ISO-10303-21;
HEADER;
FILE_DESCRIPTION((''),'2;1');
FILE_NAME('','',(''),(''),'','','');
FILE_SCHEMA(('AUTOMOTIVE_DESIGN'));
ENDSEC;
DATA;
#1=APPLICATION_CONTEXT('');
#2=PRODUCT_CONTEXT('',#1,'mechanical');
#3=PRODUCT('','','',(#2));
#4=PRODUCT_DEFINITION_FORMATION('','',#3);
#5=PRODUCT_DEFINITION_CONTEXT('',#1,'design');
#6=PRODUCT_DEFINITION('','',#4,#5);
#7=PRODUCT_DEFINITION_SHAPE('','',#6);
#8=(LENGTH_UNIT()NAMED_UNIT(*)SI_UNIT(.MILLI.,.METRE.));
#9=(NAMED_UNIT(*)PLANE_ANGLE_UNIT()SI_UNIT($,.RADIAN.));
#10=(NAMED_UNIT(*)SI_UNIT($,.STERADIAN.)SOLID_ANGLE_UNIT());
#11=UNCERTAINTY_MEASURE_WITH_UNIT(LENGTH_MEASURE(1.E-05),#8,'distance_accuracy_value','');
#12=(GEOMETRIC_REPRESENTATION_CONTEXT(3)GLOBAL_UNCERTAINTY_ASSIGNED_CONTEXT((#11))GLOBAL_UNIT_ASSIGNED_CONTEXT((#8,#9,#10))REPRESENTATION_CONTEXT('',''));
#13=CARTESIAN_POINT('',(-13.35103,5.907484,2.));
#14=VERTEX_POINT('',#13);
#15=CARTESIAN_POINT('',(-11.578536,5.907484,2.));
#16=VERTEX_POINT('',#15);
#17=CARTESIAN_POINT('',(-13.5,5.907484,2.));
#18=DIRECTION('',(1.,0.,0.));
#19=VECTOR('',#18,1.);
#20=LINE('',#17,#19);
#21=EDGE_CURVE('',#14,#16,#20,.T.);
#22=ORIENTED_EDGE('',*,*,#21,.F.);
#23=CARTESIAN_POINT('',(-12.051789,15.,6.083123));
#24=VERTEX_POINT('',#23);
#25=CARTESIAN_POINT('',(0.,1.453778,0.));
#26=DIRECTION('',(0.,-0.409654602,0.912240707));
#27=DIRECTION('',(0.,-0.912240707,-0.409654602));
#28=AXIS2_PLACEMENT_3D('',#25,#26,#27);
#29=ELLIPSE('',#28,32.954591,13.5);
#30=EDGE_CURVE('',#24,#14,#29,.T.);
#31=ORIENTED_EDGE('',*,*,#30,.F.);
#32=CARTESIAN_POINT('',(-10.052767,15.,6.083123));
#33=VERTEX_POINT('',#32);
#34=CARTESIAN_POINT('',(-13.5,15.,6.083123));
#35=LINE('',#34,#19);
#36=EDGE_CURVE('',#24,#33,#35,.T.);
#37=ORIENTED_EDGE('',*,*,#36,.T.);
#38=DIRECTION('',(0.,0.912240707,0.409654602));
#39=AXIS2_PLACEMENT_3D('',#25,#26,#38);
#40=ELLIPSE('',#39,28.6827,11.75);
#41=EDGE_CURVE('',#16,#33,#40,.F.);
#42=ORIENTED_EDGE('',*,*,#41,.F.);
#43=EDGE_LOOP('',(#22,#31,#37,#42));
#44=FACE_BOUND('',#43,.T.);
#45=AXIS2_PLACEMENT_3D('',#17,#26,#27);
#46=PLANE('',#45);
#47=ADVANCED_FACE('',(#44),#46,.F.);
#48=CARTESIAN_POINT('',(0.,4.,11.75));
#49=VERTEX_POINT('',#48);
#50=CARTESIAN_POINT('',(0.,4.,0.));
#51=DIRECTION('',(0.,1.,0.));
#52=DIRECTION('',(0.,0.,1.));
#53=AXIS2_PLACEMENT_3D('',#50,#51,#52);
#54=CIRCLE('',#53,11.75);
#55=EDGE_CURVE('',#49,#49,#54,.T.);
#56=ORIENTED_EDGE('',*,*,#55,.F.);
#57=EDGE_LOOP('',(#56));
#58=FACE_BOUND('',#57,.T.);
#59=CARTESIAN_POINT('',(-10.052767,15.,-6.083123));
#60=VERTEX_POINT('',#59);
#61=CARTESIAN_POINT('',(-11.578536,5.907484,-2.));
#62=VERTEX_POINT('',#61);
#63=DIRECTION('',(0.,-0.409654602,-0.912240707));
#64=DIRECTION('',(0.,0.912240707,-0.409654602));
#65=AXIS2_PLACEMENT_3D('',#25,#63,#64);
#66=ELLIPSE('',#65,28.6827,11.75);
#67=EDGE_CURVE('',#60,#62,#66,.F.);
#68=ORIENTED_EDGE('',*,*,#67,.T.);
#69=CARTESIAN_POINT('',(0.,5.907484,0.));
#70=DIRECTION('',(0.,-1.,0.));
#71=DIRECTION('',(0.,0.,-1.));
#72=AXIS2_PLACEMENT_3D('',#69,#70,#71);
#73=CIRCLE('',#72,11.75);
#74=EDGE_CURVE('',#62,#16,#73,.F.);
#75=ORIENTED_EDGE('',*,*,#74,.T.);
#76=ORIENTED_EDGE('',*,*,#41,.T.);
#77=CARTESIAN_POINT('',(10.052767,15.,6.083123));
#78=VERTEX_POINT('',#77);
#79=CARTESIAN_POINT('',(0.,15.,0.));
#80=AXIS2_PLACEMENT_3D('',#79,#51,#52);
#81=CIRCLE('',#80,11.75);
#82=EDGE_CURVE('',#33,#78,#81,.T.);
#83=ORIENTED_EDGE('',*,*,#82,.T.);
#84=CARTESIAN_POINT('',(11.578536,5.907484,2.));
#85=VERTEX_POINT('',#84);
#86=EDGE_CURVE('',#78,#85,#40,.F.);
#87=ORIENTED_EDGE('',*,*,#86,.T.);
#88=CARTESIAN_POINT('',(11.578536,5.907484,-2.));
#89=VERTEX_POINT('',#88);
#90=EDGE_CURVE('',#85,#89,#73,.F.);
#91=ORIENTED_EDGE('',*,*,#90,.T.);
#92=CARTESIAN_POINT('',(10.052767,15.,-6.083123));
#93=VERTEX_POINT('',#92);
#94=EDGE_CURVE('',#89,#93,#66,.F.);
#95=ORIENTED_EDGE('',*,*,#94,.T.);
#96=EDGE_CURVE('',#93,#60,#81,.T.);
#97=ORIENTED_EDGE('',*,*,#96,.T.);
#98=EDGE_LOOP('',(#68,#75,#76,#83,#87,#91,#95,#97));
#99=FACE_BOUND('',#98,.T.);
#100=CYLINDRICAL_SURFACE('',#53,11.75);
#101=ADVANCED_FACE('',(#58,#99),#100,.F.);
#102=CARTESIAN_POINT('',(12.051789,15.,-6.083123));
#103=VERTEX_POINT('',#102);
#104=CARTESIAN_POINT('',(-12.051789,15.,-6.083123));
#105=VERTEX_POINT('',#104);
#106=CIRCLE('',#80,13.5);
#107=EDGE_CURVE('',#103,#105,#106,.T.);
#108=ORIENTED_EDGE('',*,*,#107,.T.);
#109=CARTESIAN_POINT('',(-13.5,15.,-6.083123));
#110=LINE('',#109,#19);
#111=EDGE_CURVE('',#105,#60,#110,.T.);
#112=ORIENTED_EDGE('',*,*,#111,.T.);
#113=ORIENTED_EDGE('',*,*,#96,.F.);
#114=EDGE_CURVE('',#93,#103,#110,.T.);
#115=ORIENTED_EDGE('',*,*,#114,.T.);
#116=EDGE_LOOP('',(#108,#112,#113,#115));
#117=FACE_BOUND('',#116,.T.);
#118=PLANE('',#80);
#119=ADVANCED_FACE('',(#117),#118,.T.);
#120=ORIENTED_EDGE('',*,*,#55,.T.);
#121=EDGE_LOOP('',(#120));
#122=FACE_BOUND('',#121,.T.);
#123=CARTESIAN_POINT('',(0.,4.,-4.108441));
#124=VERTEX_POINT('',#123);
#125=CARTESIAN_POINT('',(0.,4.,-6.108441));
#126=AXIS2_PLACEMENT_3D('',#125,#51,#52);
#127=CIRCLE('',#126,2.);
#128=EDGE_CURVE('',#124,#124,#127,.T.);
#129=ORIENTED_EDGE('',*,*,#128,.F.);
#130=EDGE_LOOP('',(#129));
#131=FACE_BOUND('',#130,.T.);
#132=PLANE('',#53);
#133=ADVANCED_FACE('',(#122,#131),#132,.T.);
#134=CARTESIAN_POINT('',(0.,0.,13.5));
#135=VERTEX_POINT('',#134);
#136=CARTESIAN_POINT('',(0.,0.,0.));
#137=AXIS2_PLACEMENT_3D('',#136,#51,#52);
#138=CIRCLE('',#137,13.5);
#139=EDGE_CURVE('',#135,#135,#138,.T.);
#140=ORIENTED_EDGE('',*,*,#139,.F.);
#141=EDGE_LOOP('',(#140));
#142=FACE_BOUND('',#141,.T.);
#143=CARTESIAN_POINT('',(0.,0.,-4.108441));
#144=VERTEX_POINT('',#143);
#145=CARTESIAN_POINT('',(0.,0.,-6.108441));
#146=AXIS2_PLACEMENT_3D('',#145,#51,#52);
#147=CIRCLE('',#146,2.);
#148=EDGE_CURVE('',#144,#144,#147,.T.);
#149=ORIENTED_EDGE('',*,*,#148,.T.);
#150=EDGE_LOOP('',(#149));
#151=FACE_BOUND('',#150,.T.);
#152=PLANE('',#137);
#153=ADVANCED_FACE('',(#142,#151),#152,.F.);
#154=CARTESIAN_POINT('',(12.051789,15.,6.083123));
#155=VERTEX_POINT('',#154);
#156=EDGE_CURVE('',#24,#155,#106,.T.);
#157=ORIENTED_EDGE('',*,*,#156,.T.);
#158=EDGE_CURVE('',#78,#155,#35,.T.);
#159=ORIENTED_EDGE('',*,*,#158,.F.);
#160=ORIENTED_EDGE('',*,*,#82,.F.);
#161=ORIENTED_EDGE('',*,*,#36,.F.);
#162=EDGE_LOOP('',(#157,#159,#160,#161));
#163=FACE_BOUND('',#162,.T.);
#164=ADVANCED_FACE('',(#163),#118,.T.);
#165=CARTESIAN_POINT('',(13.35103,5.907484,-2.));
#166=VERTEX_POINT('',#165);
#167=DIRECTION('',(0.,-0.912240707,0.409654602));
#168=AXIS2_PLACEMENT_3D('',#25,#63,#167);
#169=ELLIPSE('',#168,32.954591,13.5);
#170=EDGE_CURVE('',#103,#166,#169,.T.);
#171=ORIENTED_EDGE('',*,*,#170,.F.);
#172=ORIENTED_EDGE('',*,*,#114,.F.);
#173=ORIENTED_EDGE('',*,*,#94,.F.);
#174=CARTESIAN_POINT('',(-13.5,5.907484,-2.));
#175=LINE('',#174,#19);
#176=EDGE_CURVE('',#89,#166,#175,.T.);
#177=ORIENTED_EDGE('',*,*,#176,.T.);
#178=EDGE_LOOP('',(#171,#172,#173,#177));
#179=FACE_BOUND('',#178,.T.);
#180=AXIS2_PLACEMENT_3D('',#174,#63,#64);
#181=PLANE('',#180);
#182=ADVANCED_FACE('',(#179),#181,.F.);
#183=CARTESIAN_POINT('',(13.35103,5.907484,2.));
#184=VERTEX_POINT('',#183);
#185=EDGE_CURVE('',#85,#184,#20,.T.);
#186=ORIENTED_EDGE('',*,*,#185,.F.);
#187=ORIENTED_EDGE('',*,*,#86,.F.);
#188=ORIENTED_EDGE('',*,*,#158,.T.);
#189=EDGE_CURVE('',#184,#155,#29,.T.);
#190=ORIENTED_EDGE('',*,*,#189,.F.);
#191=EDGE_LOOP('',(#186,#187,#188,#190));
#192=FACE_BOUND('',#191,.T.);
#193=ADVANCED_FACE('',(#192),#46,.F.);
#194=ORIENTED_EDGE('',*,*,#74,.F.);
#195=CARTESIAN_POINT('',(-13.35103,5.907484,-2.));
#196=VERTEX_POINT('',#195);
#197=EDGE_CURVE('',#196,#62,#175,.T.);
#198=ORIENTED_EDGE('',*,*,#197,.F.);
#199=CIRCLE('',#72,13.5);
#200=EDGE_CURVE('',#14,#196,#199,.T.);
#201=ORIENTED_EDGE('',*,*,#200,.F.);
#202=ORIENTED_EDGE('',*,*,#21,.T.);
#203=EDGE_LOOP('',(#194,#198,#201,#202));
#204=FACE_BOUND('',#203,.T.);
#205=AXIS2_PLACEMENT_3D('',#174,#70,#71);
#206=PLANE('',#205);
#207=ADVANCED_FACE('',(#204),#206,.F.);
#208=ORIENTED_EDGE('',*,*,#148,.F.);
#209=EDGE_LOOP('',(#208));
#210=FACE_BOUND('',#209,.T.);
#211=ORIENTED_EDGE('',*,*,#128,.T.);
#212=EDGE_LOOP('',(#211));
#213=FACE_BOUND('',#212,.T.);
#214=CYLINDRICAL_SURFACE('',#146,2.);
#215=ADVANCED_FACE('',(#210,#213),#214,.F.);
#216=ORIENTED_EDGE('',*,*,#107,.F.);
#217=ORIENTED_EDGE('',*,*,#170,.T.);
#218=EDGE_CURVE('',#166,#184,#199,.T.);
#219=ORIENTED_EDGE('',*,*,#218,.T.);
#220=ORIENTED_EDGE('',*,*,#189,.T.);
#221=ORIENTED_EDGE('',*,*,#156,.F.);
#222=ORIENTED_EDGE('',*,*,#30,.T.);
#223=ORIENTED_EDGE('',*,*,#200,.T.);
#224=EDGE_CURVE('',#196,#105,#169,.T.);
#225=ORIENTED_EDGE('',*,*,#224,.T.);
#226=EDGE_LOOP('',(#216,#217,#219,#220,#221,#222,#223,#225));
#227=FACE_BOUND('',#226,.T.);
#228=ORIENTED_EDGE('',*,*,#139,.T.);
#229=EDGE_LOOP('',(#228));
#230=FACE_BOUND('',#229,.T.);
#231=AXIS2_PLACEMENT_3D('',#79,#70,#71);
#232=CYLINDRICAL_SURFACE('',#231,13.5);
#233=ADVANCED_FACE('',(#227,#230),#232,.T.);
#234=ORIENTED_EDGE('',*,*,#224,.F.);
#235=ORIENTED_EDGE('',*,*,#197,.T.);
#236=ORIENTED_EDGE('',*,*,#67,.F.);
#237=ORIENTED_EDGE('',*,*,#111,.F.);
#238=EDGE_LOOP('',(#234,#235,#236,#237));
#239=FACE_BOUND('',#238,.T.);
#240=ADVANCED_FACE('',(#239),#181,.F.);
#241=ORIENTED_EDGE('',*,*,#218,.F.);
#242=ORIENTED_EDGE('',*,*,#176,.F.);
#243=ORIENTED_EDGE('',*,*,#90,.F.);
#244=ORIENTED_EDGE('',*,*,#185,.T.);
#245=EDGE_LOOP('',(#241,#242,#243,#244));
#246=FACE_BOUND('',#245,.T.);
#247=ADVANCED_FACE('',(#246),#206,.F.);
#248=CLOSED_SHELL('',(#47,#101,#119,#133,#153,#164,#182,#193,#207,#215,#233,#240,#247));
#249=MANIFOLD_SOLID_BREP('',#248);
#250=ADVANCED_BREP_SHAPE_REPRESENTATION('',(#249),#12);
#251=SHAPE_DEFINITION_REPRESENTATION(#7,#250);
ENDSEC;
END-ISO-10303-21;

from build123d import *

# Parameters (mm, degrees)
SKETCH_1_R               = 13.5
EXTRUDE_1_DEPTH          = 15
SKETCH_2_R               = 11.75
CUT_EXTRUDE_1_DEPTH      = 11
SKETCH_3_R               = 2
CUT_EXTRUDE_2_DEPTH      = 5
CUT_EXTRUDE_3_DEPTH      = 14.5
CUT_EXTRUDE_3_DEPTH_BACK = 14.5


with BuildPart() as part:
    # Эскиз1 → Бобышка-Вытянуть1 (new body)
    with BuildSketch(Plane(origin=(0, 0, 0), x_dir=(1, 0, 0), z_dir=(0, 1, 0))):
        Circle(SKETCH_1_R)
    extrude(amount=EXTRUDE_1_DEPTH)

    # Эскиз2 → Вырез-Вытянуть1 (cut)
    with BuildSketch(Plane(origin=(0, 15, 0), x_dir=(1, 0, 0), z_dir=(0, 1, 0))):
        Circle(SKETCH_2_R)
    extrude(amount=-CUT_EXTRUDE_1_DEPTH, mode=Mode.SUBTRACT)

    # Эскиз3 → Вырез-Вытянуть2 (cut, through all)
    with BuildSketch(Plane(origin=(0, 4, 0), x_dir=(1, 0, 0), z_dir=(0, 1, 0))):
        with Locations((0, 6.108441075)):
            Circle(SKETCH_3_R)
    extrude(amount=-CUT_EXTRUDE_2_DEPTH, mode=Mode.SUBTRACT)

    # Эскиз4 → Вырез-Вытянуть3 (cut, two sides)
    with BuildSketch(Plane(origin=(0, 0, 0), x_dir=(0, 0, -1), z_dir=(1, 0, 0))) as cut_extrude_3_sk:
        Polygon((2, 5.907484345), (-2, 5.907484345), (-6.083122861, 15), (6.083122861, 15), align=None)
    extrude(amount=CUT_EXTRUDE_3_DEPTH, mode=Mode.SUBTRACT)
    extrude(cut_extrude_3_sk.sketch, amount=-CUT_EXTRUDE_3_DEPTH_BACK, mode=Mode.SUBTRACT)


solid = part.part
